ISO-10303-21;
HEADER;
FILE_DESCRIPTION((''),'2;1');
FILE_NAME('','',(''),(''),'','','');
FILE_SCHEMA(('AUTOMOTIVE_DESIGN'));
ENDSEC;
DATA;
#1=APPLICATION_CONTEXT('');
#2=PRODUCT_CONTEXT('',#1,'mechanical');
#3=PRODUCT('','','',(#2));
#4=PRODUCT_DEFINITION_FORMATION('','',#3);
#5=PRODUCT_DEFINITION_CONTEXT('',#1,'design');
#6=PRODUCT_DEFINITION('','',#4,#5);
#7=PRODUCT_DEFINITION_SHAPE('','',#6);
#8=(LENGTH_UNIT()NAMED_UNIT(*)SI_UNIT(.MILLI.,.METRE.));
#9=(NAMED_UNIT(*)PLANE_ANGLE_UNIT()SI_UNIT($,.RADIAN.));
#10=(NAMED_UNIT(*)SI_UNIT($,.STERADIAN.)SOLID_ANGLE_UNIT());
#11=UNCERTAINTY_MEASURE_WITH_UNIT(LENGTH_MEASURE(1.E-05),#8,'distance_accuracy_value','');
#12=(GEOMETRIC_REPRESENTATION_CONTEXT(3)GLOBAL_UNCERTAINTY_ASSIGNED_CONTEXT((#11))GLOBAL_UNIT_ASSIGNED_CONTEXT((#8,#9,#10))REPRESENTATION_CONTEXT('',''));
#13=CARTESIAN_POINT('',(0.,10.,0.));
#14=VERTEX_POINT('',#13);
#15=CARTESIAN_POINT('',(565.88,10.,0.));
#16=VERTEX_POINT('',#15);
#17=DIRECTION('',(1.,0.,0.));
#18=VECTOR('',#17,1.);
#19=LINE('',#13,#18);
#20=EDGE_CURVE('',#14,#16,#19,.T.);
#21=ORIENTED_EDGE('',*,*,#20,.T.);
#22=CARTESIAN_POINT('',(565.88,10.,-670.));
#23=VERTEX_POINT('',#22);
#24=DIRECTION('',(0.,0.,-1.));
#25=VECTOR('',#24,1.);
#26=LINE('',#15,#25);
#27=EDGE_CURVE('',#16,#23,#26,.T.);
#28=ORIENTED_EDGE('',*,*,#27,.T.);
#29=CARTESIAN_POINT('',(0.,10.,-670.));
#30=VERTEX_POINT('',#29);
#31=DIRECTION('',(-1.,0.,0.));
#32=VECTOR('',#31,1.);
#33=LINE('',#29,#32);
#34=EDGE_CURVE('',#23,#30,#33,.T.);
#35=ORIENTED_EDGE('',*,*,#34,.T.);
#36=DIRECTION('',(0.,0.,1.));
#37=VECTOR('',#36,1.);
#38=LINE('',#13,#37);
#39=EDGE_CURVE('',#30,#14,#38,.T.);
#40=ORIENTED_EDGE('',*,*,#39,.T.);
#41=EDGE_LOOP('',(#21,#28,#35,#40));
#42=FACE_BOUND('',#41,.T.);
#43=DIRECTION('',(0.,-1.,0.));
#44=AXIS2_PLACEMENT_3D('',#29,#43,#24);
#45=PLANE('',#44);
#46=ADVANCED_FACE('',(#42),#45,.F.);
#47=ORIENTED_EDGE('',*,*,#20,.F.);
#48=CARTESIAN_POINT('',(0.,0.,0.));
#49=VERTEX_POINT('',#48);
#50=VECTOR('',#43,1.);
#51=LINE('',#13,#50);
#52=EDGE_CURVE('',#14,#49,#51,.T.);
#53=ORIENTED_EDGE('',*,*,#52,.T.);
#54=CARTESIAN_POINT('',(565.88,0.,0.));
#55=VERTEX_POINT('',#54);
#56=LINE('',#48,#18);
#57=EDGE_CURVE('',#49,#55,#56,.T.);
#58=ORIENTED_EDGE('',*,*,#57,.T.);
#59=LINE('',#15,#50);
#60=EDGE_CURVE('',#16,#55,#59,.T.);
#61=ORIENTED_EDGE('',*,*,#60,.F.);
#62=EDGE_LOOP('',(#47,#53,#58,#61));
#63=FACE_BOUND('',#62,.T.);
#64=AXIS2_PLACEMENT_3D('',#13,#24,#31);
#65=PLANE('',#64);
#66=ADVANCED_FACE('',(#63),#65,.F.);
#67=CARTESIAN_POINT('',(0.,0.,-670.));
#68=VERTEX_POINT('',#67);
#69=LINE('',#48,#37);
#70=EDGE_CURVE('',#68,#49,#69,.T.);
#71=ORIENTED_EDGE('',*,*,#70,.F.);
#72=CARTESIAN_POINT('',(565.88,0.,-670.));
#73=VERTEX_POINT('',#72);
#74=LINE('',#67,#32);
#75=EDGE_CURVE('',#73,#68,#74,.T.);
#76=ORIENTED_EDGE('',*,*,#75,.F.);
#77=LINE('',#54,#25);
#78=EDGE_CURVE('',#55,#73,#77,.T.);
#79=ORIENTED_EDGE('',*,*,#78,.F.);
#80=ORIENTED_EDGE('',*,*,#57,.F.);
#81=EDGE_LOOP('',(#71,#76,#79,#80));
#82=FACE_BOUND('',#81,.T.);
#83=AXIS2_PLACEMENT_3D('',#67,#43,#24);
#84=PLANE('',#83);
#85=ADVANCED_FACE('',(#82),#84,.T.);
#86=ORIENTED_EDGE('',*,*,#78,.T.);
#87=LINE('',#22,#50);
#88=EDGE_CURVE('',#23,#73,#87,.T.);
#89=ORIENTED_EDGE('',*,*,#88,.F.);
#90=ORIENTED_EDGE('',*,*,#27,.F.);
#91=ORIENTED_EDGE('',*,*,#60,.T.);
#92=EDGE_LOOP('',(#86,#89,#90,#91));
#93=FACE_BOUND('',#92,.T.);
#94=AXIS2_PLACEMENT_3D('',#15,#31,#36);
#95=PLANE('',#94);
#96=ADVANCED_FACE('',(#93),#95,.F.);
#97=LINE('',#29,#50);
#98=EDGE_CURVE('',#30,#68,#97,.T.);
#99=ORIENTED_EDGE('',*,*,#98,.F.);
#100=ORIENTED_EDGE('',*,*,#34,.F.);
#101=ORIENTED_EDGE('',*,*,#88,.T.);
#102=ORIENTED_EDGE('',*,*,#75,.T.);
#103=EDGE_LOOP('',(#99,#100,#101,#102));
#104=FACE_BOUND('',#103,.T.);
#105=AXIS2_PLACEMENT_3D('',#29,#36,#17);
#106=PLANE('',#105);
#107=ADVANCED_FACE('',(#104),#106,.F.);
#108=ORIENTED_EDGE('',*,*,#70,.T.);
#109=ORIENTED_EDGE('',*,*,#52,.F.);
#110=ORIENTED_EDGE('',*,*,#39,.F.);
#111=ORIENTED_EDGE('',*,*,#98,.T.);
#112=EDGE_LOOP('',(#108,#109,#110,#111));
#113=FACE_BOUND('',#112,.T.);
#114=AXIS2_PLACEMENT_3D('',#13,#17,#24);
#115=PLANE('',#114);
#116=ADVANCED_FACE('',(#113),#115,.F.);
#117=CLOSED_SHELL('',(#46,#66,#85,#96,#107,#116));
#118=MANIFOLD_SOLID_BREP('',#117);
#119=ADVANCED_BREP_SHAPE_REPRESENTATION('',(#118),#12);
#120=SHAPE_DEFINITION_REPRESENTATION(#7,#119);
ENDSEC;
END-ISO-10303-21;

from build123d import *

# Parameters (mm, degrees)
SKETCH2_W      = 565.88
SKETCH2_H      = 670
EXTRUDE1_DEPTH = 10


with BuildPart() as part:
    # Sketch2 → Extrude1 (new body)
    with BuildSketch(Plane(origin=(0, 0, 0), x_dir=(1, 0, 0), z_dir=(0, 1, 0))):
        with Locations((282.94, 335)):
            Rectangle(SKETCH2_W, SKETCH2_H)
    extrude(amount=EXTRUDE1_DEPTH)


solid = part.part
